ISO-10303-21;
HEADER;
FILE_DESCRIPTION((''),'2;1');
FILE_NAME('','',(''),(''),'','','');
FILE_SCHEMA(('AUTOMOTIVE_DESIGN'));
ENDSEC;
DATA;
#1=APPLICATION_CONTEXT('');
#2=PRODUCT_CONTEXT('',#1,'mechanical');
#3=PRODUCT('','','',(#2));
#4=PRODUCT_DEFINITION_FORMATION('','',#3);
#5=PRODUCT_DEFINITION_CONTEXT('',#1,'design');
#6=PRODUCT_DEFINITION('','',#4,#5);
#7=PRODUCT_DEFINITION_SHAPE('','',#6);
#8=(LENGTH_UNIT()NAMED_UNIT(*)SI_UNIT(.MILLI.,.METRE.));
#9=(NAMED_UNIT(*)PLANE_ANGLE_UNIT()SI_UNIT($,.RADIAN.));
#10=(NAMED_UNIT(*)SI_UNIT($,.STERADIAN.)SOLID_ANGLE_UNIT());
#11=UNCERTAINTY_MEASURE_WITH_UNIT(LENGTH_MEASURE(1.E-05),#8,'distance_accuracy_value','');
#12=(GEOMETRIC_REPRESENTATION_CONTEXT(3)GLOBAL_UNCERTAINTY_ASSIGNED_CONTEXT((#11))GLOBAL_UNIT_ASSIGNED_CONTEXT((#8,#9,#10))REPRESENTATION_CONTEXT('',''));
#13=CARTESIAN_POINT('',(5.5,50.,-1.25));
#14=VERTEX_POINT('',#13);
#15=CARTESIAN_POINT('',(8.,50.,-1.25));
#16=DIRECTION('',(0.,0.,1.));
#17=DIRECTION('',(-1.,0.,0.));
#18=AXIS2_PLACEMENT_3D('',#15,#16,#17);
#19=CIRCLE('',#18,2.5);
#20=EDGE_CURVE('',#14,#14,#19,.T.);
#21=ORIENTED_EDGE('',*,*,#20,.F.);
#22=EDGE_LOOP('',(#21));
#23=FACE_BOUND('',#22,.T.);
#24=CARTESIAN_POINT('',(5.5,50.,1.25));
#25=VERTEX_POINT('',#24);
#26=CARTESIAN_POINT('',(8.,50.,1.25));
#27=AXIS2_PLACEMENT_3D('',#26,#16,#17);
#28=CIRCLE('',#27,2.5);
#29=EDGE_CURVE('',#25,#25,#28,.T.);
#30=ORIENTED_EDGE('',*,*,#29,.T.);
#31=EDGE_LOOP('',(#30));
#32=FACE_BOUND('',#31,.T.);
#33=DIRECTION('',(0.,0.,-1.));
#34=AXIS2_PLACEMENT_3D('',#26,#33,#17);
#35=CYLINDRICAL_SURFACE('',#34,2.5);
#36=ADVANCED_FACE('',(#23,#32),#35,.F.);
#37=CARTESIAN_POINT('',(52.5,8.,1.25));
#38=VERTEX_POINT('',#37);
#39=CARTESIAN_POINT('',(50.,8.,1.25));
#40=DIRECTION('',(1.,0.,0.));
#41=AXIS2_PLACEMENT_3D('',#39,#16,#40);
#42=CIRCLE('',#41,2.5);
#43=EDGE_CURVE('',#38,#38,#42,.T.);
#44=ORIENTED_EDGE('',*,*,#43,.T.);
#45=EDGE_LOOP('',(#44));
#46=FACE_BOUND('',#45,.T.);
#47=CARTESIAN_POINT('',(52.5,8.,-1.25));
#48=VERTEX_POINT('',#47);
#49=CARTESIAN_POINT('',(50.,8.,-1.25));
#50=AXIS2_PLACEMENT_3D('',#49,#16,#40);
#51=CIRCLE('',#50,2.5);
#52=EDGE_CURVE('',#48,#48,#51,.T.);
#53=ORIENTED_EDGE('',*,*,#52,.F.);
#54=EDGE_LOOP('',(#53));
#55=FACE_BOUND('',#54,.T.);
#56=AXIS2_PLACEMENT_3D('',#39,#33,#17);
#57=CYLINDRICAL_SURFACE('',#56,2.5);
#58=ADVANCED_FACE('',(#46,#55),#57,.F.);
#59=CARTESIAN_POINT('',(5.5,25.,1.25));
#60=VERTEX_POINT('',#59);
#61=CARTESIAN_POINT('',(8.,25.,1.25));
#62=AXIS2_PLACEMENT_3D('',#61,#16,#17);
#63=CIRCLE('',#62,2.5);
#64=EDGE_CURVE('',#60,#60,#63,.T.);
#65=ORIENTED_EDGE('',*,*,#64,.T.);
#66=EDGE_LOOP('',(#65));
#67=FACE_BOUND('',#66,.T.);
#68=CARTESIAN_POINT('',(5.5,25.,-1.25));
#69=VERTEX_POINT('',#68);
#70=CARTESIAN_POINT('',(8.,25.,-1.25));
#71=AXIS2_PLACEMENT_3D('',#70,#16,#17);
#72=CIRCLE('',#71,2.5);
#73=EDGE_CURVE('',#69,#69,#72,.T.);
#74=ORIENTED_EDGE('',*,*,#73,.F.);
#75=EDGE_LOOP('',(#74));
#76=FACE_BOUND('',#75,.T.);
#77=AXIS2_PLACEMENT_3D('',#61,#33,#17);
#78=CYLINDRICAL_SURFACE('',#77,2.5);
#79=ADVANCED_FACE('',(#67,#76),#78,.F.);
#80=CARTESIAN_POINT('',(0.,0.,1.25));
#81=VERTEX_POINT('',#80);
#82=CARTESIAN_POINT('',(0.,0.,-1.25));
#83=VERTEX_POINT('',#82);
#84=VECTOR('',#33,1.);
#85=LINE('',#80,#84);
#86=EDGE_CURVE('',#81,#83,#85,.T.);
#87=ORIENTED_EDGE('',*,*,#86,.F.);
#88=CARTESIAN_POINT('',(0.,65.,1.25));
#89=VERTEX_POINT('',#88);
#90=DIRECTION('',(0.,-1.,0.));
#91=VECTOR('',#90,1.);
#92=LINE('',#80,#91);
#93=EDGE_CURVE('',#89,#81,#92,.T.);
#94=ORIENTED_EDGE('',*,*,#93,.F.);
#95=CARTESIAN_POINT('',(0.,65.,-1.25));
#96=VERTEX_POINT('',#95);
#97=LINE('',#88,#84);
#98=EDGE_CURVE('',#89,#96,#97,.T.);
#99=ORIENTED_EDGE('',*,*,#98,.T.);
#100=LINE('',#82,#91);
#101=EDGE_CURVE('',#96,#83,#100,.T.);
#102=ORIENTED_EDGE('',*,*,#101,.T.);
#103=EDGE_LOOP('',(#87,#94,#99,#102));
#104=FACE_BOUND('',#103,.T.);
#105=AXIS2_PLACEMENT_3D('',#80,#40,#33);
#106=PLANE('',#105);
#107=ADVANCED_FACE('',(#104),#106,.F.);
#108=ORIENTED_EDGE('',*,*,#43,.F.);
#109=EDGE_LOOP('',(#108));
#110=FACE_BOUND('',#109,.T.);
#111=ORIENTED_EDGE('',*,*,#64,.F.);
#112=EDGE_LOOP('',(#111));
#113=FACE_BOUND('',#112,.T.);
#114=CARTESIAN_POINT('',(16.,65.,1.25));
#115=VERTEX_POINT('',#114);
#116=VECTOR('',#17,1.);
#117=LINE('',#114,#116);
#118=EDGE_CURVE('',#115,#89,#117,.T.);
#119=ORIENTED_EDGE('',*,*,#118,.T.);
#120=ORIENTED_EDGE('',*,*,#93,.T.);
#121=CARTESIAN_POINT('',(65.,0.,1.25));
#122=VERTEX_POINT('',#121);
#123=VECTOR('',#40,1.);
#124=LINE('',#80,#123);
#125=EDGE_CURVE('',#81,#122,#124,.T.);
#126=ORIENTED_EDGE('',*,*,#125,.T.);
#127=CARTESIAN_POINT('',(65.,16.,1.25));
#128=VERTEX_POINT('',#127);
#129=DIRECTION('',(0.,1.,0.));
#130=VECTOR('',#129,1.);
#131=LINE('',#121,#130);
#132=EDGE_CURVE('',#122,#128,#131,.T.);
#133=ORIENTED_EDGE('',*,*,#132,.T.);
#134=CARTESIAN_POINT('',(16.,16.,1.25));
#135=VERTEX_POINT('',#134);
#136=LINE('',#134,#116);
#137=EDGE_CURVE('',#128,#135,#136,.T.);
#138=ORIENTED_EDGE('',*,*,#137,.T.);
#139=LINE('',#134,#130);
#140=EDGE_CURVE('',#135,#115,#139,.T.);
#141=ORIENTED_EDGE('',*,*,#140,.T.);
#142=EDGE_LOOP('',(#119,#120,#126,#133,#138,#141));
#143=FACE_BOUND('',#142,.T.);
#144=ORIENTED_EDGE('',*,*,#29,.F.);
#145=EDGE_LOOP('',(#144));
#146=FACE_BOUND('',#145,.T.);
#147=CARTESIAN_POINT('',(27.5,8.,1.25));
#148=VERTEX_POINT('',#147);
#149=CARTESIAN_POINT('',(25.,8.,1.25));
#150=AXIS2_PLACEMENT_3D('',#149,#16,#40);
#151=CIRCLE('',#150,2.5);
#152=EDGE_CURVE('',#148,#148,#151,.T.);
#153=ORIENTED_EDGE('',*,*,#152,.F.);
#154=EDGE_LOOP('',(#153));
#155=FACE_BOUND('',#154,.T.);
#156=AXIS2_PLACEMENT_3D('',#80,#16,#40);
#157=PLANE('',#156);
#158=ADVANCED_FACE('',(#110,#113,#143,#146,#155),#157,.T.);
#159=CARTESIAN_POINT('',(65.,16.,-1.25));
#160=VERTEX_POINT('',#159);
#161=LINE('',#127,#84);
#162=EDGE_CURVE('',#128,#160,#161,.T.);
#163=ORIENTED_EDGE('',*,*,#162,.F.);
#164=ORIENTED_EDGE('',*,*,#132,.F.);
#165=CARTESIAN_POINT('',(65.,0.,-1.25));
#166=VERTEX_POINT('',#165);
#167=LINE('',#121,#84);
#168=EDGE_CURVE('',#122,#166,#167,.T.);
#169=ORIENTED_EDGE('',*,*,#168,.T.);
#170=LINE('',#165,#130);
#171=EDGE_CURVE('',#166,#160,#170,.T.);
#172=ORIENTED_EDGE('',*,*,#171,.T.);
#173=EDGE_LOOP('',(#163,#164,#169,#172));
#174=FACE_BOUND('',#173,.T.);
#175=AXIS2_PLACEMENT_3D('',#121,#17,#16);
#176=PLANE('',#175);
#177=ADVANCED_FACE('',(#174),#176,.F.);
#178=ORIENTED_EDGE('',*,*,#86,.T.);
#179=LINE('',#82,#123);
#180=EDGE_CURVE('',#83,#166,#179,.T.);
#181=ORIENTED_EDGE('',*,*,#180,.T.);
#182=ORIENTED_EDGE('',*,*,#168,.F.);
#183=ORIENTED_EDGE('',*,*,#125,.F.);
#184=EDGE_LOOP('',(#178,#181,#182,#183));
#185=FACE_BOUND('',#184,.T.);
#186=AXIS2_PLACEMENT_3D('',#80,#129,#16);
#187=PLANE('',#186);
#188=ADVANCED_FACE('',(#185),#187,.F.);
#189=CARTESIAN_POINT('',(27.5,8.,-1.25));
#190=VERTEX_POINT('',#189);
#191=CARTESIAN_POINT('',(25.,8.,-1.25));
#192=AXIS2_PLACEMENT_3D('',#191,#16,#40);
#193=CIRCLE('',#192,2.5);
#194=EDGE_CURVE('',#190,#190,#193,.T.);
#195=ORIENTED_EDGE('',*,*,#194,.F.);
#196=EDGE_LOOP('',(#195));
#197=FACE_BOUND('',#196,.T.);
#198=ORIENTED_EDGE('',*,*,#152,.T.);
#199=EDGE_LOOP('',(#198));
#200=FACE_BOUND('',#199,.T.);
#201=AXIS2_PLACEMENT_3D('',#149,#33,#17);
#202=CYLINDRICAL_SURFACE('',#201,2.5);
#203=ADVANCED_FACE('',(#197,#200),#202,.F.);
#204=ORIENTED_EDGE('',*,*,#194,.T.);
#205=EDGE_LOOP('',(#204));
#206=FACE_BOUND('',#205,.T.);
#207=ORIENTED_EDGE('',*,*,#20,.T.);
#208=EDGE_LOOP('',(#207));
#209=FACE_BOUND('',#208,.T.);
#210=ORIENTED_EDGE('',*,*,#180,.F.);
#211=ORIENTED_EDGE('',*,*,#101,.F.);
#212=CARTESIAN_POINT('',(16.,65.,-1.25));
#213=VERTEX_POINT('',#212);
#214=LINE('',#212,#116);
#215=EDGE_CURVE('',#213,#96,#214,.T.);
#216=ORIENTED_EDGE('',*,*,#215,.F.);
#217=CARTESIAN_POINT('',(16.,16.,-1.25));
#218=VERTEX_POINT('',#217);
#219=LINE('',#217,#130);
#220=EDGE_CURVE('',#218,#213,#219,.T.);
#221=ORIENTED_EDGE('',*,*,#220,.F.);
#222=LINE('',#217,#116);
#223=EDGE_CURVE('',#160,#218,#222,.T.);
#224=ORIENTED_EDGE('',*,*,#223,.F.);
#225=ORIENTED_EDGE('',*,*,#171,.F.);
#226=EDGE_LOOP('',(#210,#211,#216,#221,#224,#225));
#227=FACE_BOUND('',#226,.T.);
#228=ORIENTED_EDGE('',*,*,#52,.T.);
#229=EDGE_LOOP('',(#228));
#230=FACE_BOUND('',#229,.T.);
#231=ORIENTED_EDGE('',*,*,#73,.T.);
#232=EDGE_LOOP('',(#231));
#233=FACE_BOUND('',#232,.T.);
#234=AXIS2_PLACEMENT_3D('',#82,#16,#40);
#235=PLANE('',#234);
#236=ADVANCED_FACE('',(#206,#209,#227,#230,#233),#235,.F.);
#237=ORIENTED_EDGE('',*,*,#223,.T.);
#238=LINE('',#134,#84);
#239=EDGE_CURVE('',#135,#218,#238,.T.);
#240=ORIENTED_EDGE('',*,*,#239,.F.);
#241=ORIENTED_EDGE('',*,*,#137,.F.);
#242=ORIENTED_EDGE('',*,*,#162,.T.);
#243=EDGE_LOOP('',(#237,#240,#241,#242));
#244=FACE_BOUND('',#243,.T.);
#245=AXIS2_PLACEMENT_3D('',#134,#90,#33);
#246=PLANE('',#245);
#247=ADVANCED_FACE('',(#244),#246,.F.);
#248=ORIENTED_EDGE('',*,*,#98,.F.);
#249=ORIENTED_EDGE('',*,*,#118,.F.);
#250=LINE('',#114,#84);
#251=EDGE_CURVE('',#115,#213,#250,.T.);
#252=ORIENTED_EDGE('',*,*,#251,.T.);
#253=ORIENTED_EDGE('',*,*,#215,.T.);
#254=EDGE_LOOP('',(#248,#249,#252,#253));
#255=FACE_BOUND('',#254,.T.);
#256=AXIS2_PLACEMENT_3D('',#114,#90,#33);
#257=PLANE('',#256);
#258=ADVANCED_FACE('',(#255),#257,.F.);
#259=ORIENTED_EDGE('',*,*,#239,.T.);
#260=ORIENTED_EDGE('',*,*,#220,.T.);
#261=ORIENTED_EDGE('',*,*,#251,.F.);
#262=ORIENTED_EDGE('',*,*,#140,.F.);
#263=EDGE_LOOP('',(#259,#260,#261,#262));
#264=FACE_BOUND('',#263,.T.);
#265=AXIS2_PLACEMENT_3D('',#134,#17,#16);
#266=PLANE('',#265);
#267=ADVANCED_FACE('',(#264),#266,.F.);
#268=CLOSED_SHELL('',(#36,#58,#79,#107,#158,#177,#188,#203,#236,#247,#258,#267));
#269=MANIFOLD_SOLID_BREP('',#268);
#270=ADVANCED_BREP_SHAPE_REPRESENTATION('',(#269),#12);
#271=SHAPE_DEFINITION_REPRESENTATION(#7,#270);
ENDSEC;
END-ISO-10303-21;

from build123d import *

# Parameters (mm, degrees)
SKETCH1_R           = 2.5
BOSS_EXTRUDE1_DEPTH = 1.25


with BuildPart() as part:
    # Sketch1 → Boss-Extrude1 (new, symmetric)
    with BuildSketch(Plane.XY):
        Polygon((0, 0), (65, 0), (65, 16), (16, 16), (16, 65), (0, 65), align=None)
        with Locations((25, 8)):
            Circle(SKETCH1_R, mode=Mode.SUBTRACT)
        with Locations((50, 8)):
            Circle(SKETCH1_R, mode=Mode.SUBTRACT)
        with Locations(Location((8, 50, 0), (0, 0, 180))):
            Circle(SKETCH1_R, mode=Mode.SUBTRACT)
        with Locations(Location((8, 25, 0), (0, 0, 180))):
            Circle(SKETCH1_R, mode=Mode.SUBTRACT)
    extrude(amount=BOSS_EXTRUDE1_DEPTH, both=True)


solid = part.part
